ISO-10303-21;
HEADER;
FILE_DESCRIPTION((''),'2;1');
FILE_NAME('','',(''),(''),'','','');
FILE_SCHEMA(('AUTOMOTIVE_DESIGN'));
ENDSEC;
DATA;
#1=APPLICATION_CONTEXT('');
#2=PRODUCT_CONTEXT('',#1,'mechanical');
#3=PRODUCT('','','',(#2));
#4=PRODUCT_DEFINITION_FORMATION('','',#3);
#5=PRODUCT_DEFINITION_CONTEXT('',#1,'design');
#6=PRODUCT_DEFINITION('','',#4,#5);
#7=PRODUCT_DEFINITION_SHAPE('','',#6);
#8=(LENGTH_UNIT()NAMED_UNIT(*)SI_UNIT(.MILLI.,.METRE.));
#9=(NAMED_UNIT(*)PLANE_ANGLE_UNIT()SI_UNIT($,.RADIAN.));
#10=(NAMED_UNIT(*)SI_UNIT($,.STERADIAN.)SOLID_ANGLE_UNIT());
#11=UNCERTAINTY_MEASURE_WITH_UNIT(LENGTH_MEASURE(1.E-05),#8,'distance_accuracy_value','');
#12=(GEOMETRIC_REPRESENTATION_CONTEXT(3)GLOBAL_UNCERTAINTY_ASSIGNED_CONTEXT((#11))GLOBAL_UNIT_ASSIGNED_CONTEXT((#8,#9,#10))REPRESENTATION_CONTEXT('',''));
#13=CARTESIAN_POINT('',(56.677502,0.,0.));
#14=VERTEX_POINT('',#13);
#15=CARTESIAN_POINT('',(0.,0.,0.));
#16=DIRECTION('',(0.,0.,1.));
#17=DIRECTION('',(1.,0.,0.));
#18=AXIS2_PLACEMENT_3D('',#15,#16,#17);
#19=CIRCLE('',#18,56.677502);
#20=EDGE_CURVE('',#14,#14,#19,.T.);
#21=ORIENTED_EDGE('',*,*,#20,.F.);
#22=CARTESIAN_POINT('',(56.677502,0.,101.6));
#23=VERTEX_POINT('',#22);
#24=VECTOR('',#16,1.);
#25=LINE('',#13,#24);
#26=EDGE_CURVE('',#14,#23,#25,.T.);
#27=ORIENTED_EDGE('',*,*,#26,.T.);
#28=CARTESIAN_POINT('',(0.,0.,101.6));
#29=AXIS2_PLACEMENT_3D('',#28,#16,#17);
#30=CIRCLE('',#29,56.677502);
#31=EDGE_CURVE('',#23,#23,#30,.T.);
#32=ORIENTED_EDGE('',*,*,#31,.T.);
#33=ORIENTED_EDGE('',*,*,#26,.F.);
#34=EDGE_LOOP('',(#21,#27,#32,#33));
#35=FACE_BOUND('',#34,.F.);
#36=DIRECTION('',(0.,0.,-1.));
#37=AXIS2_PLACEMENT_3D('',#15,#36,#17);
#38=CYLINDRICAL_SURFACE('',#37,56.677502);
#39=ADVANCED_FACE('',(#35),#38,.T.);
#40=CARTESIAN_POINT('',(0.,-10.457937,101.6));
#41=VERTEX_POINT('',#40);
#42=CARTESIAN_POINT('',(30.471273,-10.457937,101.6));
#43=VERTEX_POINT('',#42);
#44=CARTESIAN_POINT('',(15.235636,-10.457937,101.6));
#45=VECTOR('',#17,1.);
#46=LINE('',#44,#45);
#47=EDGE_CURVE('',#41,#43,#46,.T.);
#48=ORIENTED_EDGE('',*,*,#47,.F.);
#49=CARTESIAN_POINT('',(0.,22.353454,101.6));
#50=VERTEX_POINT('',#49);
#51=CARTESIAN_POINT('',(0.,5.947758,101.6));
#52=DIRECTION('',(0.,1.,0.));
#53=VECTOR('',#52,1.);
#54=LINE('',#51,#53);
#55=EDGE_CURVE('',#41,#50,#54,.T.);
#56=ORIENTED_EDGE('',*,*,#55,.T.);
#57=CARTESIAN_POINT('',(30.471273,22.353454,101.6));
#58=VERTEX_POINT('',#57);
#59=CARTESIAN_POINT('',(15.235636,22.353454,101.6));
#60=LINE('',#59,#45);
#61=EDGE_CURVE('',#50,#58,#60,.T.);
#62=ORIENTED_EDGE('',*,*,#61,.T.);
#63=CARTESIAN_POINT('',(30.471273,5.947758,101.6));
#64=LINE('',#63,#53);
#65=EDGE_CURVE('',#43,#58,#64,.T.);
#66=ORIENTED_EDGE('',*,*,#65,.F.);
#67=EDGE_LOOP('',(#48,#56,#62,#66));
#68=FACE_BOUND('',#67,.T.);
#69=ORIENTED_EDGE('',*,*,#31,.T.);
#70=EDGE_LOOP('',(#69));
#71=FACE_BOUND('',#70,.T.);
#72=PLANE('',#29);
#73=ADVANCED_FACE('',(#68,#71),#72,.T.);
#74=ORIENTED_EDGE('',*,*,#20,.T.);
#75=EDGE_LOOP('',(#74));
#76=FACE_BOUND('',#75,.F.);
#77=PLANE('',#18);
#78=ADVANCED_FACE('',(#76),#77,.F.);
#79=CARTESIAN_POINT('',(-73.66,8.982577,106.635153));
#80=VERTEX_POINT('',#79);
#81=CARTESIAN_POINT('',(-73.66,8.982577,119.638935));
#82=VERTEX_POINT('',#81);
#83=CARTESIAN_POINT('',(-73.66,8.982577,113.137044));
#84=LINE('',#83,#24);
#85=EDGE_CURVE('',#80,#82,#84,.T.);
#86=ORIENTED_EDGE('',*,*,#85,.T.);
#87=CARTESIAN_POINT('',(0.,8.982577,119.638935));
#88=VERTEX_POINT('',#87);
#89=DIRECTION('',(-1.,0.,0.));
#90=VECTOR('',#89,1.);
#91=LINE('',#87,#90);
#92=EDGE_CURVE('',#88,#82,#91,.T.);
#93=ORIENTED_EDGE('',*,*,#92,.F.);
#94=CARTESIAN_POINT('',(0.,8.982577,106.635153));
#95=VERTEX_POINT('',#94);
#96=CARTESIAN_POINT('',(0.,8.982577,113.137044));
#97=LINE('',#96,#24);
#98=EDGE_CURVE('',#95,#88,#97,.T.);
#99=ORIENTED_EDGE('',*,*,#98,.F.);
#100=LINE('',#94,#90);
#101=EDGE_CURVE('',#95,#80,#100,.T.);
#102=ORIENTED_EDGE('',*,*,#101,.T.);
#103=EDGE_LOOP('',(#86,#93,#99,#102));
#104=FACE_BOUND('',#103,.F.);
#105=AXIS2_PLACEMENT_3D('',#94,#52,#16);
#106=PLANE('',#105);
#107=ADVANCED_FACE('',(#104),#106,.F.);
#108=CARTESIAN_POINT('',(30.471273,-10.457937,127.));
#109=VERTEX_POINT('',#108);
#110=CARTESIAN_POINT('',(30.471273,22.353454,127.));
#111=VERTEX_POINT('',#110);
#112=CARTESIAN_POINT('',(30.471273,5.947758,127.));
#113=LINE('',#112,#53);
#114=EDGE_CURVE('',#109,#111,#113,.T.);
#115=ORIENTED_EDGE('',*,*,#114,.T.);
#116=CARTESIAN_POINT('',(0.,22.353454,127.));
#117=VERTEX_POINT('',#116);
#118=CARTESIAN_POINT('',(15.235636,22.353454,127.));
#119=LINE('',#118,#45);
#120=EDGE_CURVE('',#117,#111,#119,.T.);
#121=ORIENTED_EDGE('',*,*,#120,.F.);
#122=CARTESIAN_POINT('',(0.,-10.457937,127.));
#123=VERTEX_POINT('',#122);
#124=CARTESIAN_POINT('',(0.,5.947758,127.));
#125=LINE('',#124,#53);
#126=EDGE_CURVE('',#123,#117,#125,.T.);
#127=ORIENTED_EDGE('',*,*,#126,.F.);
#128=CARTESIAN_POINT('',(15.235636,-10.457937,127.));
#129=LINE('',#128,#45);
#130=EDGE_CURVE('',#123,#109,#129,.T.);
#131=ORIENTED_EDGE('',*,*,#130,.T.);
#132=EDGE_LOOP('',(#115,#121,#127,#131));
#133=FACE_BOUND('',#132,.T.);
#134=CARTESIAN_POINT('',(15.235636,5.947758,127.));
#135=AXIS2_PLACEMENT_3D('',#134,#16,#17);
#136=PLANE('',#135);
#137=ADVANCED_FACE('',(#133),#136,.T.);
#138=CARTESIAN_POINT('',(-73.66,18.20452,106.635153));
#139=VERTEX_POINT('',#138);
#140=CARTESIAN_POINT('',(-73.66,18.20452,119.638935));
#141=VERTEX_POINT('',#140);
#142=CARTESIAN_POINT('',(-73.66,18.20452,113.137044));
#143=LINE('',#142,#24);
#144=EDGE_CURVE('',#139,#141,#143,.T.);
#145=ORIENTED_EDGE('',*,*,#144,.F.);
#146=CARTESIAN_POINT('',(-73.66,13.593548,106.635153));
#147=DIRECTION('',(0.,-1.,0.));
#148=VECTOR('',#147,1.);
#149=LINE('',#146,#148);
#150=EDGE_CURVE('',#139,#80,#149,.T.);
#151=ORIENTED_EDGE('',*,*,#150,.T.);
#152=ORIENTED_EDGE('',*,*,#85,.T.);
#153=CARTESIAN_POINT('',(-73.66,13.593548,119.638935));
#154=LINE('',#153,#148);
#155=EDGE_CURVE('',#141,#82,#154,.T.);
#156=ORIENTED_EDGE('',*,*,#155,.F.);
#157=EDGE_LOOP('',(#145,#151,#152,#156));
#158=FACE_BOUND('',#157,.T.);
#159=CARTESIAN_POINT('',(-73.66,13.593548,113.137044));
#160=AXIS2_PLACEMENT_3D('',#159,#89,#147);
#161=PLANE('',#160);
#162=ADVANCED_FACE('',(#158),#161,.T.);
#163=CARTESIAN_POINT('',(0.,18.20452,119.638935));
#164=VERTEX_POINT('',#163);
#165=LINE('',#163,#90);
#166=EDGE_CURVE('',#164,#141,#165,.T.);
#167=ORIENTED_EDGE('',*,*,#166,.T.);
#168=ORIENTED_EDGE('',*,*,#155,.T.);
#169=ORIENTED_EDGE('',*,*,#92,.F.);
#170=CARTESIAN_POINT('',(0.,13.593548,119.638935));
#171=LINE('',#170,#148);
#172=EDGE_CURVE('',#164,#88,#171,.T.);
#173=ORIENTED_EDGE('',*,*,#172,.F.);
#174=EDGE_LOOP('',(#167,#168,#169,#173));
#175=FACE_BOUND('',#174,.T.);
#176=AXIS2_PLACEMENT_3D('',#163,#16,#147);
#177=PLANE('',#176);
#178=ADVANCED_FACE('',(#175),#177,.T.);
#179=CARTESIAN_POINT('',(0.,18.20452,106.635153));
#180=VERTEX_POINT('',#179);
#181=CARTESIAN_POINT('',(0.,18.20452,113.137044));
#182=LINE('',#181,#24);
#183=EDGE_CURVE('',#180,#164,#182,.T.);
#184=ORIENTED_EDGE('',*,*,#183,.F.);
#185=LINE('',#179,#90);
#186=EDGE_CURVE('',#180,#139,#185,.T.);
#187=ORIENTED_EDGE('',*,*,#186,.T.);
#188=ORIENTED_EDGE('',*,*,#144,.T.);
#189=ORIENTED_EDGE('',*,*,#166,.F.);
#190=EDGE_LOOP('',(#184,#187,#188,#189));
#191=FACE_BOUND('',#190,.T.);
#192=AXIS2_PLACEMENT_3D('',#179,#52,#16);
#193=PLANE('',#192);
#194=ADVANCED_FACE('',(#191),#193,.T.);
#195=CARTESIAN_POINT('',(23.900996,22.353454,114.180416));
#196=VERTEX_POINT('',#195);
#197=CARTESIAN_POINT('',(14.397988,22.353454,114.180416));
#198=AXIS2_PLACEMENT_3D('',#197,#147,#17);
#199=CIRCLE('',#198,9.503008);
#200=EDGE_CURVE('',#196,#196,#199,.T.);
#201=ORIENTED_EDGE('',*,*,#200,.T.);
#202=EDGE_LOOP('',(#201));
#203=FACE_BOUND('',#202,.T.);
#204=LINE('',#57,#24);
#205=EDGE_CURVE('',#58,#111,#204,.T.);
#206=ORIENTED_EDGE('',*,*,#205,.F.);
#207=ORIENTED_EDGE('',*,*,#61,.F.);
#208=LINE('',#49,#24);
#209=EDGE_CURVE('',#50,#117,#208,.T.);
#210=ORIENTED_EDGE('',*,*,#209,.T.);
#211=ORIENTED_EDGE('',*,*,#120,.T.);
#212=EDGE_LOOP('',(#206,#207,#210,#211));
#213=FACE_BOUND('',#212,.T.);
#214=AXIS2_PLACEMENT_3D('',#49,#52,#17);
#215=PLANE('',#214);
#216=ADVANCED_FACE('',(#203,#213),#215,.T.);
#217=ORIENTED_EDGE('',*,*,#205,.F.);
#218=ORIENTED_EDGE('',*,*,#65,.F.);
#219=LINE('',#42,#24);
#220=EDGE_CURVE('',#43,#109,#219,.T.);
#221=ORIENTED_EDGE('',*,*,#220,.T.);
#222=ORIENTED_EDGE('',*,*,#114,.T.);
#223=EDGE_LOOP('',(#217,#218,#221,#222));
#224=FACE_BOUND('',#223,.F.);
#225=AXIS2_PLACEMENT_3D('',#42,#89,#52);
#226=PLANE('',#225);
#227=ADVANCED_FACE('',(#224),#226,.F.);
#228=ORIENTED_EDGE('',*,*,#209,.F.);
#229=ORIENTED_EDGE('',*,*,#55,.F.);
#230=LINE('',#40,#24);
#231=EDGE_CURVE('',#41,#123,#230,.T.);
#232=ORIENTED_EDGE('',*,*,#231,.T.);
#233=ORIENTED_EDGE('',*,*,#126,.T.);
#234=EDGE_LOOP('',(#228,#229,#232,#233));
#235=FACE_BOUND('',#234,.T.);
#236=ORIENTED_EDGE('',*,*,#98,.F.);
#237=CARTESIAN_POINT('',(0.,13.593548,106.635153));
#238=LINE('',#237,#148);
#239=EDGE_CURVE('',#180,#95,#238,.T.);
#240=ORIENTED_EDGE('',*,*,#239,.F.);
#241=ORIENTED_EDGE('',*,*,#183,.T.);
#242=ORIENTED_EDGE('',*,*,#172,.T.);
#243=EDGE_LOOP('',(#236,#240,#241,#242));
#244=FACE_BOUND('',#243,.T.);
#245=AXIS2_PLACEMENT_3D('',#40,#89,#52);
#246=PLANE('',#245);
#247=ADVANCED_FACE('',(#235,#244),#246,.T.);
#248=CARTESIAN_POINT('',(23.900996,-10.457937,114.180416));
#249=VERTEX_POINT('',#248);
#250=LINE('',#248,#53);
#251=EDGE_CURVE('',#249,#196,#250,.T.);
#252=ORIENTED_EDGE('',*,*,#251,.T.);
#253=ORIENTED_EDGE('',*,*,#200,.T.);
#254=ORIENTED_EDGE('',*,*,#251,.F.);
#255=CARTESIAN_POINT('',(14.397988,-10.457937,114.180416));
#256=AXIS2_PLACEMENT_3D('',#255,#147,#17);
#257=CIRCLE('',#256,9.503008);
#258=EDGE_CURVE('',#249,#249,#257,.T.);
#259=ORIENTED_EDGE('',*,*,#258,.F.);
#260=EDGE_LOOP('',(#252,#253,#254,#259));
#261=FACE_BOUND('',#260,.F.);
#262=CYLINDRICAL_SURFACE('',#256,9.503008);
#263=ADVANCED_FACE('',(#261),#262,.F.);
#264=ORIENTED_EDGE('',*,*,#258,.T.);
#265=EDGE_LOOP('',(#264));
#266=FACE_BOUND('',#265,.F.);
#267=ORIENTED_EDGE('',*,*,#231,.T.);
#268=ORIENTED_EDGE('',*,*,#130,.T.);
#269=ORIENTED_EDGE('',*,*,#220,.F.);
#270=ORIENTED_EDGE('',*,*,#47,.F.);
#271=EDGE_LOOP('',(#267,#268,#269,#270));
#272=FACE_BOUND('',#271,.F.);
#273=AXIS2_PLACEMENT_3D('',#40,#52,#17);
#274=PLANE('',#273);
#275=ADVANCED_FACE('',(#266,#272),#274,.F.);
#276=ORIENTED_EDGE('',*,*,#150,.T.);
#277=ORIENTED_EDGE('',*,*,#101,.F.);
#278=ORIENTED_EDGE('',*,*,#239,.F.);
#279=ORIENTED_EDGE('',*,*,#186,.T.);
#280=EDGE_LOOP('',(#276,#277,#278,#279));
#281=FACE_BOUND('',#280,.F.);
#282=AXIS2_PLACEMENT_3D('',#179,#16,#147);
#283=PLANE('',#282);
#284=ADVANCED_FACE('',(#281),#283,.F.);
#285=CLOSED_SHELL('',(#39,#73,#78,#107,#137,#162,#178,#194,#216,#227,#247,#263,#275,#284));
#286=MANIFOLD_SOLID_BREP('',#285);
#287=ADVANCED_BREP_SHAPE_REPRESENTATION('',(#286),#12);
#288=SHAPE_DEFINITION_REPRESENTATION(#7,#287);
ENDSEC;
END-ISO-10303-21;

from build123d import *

# Parameters (mm, degrees)
F0_R     = 56.6775015073
F1_DEPTH = 101.6
F2_W     = 30.4712727666
F2_H     = 32.811390236
F3_DEPTH = 25.4
F4_W     = 9.221942164
F4_H     = 13.0037814379
F5_DEPTH = 73.66
F6_R     = 9.5030077165
F7_DEPTH = 50.8


with BuildPart() as f1:
    # F0 (on Top) → F1 (new body)
    with BuildSketch(Plane.XY):
        Circle(F0_R)
    extrude(amount=F1_DEPTH)

    # F2 (on face) → F3 (join)
    with BuildSketch(Plane.XY.offset(101.6)):
        with Locations((15.2356363833, 5.9477584437)):
            Rectangle(F2_W, F2_H)
    extrude(amount=F3_DEPTH)

    # F4 (on face) → F5 (join)
    with BuildSketch(Plane(origin=(0, 0, 0), x_dir=(0, -1, 0), z_dir=(-1, 0, 0))):
        with Locations((-13.5935484432, 113.1370440125)):
            Rectangle(F4_W, F4_H)
    extrude(amount=F5_DEPTH)

    # F6 (on face) → F7 (cut)
    with BuildSketch(Plane.XZ.offset(10.4579366744)):
        with Locations((14.3979880959, 114.1804158688)):
            Circle(F6_R)
    extrude(amount=-F7_DEPTH, mode=Mode.SUBTRACT)


solid = f1.part
